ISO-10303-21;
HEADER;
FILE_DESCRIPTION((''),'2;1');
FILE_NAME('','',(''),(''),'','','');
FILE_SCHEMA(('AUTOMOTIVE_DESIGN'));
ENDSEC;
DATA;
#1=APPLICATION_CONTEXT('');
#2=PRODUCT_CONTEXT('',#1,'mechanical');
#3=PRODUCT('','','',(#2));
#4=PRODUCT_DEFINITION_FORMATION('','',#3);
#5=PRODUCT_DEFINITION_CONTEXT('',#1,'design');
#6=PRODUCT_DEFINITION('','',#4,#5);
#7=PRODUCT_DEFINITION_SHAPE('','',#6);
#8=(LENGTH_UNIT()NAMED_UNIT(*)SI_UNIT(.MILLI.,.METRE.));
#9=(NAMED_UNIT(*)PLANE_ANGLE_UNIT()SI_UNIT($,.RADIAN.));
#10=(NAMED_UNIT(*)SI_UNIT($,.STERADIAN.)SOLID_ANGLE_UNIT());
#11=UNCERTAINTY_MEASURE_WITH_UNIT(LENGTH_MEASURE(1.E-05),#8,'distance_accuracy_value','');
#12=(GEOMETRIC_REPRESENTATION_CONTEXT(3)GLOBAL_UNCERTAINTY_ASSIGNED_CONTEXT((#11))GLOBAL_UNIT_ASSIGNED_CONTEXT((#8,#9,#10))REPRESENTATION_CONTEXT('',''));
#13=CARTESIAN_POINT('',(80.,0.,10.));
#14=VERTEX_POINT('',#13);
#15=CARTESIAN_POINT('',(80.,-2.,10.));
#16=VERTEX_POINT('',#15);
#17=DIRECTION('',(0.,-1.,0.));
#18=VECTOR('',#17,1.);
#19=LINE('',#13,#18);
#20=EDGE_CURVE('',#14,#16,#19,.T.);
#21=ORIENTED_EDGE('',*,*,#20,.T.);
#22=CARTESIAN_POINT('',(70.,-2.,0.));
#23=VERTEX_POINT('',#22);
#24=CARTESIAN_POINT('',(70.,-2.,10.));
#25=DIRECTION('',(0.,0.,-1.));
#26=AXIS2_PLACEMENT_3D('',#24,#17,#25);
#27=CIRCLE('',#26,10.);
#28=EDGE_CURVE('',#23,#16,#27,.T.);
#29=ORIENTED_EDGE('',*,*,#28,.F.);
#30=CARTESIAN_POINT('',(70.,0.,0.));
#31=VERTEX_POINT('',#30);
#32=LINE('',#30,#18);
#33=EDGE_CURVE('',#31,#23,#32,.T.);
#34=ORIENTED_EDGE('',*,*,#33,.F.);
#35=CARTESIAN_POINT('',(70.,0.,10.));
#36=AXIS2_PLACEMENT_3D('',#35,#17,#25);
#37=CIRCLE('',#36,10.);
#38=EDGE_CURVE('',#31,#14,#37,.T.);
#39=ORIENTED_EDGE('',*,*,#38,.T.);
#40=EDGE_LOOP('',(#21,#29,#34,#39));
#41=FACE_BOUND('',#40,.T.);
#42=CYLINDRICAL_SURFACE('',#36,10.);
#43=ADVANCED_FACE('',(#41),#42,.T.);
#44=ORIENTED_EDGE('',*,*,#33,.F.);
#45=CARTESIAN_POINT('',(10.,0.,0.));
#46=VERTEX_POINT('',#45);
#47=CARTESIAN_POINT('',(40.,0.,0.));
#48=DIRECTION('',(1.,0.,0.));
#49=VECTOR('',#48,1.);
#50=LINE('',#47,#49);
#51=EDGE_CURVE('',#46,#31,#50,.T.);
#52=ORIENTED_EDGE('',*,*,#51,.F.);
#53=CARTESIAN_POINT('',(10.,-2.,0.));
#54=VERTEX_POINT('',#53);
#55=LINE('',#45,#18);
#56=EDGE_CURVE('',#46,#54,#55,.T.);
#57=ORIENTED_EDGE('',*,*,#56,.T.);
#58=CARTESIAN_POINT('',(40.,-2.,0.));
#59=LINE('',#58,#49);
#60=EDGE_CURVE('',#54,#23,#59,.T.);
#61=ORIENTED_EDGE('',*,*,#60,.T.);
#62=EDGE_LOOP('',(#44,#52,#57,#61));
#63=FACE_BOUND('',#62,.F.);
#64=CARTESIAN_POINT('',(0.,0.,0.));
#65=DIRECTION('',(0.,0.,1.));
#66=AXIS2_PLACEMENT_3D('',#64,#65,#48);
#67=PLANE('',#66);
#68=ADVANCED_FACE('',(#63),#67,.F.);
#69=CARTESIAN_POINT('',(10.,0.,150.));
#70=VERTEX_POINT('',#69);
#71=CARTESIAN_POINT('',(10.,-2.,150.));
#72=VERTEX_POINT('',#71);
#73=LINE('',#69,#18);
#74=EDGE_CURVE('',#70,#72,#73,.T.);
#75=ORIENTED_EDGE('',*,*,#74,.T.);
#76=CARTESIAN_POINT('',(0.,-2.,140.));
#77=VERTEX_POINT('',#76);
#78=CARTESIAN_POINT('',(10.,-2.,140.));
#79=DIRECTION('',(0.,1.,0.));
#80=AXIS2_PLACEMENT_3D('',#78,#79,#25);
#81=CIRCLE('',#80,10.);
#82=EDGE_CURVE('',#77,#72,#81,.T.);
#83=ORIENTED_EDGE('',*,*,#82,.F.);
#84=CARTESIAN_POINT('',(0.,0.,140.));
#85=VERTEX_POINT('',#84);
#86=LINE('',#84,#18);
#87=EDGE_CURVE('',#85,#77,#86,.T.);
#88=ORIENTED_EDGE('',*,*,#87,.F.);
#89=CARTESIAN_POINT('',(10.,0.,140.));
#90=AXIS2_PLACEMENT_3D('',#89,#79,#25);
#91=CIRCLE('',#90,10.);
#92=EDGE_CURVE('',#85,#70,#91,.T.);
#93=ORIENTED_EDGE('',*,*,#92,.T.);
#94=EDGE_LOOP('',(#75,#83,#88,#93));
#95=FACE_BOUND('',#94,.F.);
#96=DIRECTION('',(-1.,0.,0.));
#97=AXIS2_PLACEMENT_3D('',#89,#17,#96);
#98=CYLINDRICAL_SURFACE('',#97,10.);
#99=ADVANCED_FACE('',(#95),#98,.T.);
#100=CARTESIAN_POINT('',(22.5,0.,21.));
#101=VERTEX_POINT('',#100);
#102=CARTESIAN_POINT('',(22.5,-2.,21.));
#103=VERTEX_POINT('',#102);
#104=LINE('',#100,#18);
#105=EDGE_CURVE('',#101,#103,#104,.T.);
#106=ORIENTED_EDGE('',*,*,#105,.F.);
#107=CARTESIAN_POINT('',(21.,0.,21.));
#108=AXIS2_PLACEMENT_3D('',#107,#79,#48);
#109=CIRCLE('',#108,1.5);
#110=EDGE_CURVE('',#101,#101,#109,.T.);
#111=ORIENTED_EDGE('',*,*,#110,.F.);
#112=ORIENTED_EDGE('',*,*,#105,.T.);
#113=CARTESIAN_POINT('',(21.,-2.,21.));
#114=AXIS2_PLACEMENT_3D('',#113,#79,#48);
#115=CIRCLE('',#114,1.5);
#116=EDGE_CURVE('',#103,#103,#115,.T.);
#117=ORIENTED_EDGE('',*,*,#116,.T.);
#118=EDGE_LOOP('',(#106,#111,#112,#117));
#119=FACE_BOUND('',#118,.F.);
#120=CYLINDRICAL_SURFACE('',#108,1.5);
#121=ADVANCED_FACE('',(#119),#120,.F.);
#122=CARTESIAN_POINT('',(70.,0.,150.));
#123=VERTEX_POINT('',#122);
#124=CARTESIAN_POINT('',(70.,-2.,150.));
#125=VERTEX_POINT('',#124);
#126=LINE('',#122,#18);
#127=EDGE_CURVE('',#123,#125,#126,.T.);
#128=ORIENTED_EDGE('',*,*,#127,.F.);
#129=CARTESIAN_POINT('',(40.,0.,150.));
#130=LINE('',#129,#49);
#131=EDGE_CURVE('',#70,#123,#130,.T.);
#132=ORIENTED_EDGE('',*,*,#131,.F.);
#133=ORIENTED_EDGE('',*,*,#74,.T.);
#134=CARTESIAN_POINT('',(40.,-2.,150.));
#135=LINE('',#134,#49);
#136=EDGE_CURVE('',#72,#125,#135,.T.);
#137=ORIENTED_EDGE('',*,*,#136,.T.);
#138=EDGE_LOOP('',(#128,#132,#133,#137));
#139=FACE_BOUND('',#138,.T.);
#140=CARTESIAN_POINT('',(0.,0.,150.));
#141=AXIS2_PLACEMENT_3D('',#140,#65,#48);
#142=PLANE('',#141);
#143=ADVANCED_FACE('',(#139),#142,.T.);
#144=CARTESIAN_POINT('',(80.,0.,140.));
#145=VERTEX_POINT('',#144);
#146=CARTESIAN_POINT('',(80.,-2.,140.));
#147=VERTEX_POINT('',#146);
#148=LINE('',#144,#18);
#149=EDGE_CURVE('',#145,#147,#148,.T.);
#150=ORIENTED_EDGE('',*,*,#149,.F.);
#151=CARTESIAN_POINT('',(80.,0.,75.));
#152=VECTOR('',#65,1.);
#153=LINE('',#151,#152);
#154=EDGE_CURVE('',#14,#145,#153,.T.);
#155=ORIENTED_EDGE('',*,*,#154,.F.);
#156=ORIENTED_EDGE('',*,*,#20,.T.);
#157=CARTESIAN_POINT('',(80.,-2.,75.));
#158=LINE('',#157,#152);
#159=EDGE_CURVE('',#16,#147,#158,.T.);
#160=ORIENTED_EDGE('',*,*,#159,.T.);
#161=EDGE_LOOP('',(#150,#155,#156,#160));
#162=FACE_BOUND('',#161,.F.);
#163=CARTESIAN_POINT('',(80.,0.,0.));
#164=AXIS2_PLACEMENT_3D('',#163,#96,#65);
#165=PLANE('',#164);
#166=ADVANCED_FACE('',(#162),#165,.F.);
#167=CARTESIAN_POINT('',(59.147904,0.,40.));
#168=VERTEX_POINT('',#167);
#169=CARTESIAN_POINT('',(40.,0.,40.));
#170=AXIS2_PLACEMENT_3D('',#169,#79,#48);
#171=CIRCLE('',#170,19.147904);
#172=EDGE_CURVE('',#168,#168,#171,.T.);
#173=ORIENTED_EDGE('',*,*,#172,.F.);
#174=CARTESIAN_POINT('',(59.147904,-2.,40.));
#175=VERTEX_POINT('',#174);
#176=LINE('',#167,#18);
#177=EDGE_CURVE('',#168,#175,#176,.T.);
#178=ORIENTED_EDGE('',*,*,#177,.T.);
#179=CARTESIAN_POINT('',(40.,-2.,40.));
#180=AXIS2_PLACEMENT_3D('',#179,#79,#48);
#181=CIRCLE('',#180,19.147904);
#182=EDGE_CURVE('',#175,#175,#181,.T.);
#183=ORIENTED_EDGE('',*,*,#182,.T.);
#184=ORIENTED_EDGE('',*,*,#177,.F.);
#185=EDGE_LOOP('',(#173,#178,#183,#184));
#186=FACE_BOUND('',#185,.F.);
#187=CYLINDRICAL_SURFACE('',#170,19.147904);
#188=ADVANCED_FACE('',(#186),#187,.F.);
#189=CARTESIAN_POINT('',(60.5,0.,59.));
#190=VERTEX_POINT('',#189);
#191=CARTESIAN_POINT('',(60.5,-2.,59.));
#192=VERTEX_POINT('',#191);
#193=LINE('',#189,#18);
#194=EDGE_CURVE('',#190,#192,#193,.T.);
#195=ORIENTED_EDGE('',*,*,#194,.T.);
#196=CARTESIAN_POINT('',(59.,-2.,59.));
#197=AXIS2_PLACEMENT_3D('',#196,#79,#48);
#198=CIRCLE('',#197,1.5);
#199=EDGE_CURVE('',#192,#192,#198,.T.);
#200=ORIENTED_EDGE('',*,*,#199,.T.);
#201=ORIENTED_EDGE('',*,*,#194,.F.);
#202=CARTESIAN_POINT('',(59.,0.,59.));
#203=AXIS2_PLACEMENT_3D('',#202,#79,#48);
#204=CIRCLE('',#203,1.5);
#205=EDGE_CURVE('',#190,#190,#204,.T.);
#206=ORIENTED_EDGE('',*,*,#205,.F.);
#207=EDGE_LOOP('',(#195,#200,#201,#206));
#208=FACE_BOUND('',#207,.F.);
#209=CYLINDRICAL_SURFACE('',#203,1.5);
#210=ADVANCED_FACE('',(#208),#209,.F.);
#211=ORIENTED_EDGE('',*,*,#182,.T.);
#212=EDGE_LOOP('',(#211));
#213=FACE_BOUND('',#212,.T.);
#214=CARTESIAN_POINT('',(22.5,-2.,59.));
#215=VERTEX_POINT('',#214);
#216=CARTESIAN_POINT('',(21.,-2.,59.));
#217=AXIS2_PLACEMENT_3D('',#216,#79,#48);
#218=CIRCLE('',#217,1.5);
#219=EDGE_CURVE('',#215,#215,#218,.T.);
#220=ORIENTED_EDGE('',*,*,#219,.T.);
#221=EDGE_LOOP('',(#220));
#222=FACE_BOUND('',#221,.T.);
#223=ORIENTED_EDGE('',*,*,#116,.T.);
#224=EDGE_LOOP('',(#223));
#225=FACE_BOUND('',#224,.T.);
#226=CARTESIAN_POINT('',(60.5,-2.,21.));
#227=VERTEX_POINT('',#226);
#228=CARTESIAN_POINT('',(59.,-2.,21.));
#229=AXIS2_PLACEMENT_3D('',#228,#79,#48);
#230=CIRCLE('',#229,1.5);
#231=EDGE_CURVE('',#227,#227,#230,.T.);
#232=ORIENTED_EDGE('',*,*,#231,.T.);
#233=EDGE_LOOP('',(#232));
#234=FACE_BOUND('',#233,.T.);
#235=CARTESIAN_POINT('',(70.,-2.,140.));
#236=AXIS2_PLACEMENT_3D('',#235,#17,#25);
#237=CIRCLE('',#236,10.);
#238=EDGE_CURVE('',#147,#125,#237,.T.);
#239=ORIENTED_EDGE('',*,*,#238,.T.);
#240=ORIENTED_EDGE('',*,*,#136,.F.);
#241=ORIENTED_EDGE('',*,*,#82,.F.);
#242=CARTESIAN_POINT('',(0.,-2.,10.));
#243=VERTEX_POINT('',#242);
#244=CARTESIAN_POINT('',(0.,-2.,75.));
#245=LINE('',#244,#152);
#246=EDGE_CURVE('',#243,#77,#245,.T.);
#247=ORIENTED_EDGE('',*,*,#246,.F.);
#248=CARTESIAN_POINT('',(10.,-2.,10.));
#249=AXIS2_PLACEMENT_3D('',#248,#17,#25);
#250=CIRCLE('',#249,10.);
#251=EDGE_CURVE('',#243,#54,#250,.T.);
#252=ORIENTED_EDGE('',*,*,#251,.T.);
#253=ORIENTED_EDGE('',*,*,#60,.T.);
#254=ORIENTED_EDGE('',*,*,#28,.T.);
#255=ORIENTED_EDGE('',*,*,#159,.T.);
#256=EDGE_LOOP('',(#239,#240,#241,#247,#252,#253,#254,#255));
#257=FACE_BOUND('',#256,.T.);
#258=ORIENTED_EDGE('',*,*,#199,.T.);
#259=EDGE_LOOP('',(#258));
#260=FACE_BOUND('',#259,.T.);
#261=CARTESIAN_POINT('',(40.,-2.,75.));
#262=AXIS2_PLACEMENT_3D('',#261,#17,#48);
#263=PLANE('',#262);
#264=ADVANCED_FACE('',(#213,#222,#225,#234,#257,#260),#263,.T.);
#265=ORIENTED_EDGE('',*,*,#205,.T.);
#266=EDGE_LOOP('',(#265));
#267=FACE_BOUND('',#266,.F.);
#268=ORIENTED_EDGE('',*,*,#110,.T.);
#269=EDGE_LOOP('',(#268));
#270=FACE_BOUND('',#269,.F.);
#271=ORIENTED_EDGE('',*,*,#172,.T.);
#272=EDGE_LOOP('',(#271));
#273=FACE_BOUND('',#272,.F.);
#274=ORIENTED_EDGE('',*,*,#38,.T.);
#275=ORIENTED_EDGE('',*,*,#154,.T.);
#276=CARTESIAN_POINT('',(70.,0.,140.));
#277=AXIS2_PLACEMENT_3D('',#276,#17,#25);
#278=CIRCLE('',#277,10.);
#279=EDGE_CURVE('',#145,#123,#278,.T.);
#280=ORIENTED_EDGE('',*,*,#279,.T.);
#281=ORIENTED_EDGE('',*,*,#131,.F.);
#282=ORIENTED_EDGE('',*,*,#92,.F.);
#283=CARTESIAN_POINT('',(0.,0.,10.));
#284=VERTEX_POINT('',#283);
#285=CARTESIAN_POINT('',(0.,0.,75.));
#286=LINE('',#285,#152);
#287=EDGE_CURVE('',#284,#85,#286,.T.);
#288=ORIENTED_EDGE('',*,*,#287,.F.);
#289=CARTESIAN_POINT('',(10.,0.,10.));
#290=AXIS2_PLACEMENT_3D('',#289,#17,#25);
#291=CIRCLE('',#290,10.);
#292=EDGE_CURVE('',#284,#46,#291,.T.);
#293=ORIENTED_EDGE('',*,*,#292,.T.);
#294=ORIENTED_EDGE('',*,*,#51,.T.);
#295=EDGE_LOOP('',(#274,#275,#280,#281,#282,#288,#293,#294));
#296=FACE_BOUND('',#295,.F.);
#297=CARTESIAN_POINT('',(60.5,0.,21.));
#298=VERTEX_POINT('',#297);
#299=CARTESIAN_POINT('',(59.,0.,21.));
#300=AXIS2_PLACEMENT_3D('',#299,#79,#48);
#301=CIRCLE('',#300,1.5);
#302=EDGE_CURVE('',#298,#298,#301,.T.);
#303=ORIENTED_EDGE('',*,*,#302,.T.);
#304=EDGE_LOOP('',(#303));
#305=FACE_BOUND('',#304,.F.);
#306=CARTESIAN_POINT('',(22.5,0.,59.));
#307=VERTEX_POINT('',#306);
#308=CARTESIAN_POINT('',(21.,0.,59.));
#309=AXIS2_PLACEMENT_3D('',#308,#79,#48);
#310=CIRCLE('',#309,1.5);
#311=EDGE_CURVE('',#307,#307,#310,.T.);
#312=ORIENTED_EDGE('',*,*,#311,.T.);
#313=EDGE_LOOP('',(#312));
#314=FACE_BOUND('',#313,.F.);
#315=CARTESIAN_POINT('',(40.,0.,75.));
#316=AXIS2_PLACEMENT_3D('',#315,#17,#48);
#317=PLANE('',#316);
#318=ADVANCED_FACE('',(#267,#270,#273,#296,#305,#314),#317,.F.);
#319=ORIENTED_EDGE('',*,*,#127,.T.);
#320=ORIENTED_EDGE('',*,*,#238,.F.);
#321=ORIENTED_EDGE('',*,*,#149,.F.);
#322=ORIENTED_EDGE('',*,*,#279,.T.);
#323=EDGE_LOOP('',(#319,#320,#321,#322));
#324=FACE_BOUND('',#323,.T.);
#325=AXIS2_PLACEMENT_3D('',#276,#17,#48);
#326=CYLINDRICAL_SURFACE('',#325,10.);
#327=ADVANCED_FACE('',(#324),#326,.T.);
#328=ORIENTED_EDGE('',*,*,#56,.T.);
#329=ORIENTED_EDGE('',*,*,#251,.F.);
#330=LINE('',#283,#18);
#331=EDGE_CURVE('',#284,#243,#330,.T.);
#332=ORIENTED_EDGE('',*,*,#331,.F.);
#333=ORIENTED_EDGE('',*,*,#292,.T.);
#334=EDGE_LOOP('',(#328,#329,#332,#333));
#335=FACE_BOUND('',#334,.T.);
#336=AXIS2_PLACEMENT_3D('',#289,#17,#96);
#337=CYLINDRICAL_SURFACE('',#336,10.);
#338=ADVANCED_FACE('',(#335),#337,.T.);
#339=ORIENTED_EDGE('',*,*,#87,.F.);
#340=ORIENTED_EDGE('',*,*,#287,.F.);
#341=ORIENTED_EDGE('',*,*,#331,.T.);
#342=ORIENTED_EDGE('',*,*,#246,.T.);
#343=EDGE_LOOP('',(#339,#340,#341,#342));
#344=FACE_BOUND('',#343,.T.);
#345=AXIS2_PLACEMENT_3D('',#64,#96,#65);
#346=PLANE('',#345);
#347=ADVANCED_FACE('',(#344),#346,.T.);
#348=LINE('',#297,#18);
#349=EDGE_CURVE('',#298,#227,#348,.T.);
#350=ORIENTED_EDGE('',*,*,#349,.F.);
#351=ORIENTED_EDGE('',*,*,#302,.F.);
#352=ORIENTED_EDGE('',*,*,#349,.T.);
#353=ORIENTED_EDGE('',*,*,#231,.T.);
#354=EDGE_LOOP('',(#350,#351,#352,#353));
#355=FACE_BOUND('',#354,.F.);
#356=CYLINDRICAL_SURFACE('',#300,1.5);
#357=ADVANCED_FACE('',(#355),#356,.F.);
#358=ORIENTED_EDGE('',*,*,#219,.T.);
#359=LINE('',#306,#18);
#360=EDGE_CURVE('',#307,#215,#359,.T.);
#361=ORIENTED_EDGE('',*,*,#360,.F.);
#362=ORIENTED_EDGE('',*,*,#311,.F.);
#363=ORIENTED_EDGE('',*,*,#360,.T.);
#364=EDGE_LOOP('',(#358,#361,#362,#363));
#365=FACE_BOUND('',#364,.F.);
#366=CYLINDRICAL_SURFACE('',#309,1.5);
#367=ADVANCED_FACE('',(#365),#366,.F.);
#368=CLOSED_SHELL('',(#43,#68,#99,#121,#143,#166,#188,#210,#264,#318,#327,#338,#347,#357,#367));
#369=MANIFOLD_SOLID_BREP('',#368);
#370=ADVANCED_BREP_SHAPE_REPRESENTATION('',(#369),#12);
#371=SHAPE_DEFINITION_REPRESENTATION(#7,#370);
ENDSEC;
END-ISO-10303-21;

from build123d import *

# Parameters (mm, degrees)
SKETCH_W      = 80
SKETCH_H      = 150
PAD_DEPTH     = 2
FILLET_R      = 10
SKETCH001_R   = 19.147904
SKETCH001_R_2 = 1.5
POCKET_DEPTH  = 5


with BuildPart() as part:
    # Sketch → Pad (new body)
    with BuildSketch(Plane.XZ):
        with Locations((40, 75)):
            Rectangle(SKETCH_W, SKETCH_H)
    extrude(amount=PAD_DEPTH)

    # Fillet
    fillet_edges = [part.edges().sort_by_distance(p)[0] for p in [
        (0, -1, 0),
        (0, -1, 150),
        (80, -1, 150),
        (80, -1, 0),
    ]]
    fillet(fillet_edges, radius=FILLET_R)

    # Sketch001 (on Face2 of Fillet) → Pocket (cut)
    with BuildSketch(Plane(origin=(0, 0, 0), x_dir=(1, 0, 0), z_dir=(0, 1, 0))):
        with Locations((40, -40)):
            Circle(SKETCH001_R)
        with Locations((21, -21)):
            Circle(SKETCH001_R_2)
        with Locations((59, -21)):
            Circle(SKETCH001_R_2)
        with Locations((59, -59)):
            Circle(SKETCH001_R_2)
        with Locations((21, -59)):
            Circle(SKETCH001_R_2)
    extrude(amount=-POCKET_DEPTH, mode=Mode.SUBTRACT)


solid = part.part
